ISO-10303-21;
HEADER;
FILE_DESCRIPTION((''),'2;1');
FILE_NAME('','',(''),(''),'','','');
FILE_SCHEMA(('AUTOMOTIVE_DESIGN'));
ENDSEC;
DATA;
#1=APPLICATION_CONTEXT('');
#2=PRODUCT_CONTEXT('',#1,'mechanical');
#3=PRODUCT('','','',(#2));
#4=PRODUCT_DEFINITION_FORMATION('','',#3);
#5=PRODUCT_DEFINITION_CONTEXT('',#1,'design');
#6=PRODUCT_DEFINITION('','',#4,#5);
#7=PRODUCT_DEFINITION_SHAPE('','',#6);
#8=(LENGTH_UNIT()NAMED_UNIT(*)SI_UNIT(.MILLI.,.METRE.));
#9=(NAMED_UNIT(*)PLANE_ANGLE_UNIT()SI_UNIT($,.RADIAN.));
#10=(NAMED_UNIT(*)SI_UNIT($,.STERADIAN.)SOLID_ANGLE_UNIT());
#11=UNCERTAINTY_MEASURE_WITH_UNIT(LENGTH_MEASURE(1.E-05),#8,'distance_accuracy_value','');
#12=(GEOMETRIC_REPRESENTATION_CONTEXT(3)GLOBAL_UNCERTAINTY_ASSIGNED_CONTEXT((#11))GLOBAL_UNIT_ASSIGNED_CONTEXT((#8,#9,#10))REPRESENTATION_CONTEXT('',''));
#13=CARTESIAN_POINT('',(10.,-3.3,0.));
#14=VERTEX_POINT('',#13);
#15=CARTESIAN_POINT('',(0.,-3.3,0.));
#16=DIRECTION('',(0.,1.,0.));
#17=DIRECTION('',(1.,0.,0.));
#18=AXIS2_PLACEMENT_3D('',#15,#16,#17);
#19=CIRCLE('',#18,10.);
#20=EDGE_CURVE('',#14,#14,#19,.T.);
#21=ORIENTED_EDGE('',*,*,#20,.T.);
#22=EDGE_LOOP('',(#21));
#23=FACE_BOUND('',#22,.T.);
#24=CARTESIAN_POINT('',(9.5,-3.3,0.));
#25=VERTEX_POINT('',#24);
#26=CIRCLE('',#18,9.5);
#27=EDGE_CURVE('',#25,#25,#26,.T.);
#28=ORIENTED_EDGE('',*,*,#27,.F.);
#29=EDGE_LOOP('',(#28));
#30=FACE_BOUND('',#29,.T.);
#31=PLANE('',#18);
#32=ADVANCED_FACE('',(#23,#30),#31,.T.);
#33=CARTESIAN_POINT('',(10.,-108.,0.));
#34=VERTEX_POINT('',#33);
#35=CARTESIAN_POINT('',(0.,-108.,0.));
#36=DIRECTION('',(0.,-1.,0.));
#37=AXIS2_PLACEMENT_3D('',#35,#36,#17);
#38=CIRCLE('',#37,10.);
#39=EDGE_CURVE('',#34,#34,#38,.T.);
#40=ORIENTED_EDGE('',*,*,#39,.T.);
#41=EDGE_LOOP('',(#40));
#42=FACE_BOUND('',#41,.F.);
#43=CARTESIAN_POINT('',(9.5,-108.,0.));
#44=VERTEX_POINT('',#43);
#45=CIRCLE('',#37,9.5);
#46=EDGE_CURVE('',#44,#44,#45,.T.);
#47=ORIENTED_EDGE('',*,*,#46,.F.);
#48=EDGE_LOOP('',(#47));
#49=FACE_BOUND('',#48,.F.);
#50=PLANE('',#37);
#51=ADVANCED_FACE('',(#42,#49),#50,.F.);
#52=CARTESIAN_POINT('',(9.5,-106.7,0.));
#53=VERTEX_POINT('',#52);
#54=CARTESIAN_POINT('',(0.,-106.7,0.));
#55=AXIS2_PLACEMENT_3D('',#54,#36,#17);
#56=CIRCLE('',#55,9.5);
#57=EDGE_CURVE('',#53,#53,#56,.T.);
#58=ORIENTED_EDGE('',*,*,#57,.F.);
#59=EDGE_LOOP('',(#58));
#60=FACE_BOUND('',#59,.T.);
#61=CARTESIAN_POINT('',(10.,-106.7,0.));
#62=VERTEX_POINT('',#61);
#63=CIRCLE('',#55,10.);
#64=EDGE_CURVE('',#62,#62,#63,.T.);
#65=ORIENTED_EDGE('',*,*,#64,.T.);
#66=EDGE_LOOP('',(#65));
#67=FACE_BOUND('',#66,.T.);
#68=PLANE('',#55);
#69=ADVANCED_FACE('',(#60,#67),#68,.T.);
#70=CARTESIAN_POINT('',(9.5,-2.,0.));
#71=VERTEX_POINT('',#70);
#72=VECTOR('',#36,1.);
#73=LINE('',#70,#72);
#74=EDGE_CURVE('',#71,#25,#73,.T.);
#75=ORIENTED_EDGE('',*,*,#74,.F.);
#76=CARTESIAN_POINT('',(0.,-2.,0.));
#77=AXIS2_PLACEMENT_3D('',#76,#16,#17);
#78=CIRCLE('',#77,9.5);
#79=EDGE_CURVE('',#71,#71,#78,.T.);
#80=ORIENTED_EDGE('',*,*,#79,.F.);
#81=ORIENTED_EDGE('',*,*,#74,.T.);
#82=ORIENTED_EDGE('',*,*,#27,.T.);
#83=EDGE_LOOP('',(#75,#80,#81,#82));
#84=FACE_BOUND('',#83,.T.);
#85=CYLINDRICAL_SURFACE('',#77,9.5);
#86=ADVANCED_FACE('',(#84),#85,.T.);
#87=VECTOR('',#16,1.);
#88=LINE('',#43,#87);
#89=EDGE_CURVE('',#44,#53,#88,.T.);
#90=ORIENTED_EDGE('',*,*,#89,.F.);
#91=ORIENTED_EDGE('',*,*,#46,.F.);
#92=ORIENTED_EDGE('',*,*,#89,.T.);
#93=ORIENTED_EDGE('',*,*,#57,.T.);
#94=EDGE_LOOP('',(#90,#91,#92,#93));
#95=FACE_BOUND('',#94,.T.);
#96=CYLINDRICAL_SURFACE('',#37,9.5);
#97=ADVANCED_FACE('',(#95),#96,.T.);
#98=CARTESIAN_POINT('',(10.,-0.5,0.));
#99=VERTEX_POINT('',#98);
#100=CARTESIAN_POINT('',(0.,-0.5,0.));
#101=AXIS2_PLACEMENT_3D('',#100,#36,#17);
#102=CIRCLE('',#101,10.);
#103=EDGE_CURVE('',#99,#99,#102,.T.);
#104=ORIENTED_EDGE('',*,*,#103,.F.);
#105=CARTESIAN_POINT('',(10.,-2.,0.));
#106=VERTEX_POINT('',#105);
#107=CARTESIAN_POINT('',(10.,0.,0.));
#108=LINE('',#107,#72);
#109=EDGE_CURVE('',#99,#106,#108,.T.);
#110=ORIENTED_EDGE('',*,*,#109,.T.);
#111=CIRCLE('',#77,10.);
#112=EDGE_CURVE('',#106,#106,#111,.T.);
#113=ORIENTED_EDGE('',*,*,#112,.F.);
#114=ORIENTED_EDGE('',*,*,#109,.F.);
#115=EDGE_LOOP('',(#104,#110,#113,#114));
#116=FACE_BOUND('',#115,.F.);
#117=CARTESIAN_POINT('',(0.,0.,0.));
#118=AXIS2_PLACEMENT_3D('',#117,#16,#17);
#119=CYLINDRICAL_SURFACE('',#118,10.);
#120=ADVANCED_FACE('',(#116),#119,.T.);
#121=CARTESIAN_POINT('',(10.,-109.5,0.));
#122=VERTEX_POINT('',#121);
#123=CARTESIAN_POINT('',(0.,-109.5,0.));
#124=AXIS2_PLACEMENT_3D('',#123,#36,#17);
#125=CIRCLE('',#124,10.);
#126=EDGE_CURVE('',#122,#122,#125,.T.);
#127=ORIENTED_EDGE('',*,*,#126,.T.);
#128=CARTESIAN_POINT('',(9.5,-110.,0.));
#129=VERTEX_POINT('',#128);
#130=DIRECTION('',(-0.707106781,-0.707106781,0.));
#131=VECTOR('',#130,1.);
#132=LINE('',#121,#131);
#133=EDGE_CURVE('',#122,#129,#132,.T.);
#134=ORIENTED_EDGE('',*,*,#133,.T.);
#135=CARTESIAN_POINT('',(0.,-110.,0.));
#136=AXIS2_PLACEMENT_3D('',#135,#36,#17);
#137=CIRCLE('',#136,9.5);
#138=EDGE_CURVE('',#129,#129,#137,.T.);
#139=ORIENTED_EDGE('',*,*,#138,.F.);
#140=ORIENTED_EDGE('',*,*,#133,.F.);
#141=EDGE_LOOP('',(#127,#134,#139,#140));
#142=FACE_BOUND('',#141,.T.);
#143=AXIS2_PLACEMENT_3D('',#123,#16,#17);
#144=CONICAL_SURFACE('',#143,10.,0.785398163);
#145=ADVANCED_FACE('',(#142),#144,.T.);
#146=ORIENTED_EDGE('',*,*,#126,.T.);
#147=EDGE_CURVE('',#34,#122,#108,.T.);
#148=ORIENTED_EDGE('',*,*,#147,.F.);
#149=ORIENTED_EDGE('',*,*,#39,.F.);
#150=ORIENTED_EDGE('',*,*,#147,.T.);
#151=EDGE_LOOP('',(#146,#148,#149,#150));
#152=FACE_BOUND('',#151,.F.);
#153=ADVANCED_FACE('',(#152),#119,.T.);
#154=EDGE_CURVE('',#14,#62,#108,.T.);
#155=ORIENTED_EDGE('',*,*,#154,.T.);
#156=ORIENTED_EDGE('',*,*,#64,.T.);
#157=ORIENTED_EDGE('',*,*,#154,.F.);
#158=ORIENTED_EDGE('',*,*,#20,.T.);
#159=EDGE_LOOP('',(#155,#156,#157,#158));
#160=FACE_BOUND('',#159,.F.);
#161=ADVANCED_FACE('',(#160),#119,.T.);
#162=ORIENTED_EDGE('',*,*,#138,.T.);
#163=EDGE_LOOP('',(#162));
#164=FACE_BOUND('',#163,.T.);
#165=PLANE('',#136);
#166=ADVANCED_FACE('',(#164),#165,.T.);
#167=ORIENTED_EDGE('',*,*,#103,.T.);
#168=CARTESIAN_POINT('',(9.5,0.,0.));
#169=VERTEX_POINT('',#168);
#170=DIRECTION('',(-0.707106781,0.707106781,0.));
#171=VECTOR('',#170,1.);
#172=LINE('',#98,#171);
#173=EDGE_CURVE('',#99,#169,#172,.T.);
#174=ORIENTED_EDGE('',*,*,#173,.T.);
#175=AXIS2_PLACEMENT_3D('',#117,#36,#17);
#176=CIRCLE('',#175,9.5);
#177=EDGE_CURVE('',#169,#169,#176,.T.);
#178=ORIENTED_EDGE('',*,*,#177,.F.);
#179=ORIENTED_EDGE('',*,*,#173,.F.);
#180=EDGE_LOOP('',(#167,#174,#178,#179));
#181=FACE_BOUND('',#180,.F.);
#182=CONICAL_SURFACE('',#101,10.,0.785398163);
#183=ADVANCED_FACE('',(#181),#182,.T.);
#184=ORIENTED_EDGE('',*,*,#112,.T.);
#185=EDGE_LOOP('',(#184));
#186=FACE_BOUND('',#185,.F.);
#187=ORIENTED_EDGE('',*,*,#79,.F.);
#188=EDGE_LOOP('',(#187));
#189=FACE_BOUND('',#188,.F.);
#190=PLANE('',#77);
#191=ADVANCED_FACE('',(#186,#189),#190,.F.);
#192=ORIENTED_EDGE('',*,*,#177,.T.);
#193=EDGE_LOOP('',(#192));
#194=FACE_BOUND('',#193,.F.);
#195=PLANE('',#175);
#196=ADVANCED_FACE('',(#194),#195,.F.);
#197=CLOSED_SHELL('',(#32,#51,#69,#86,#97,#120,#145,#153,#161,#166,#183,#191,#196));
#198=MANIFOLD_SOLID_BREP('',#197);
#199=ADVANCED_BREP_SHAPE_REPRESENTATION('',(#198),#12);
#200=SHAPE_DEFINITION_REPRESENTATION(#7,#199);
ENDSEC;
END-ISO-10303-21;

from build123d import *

# Parameters (mm, degrees)
F0_R     = 10
F1_DEPTH = 110
F3_R     = 10
F3_R_2   = 9.5
F4_DEPTH = 1.3
F6_R     = 10
F6_R_2   = 9.5
F7_DEPTH = 1.3
F8_SIZE  = 0.5


with BuildPart() as f1:
    # F0 (on Front) → F1 (new body)
    with BuildSketch(Plane.XZ):
        Circle(F0_R)
    extrude(amount=F1_DEPTH)

    # F3 (on offset) → F4 (cut)
    with BuildSketch(Plane.XZ.offset(108)):
        Circle(F3_R)
        Circle(F3_R_2, mode=Mode.SUBTRACT)
    extrude(amount=-F4_DEPTH, mode=Mode.SUBTRACT)

    # F6 (on offset) → F7 (cut)
    with BuildSketch(Plane(origin=(0, -2, 0), x_dir=(1, 0, 0), z_dir=(0, 1, 0))):
        Circle(F6_R)
        Circle(F6_R_2, mode=Mode.SUBTRACT)
    extrude(amount=-F7_DEPTH, mode=Mode.SUBTRACT)

    # F8
    f8_edges = [f1.edges().sort_by_distance(p)[0] for p in [
        (-10, -110, 0),
        (-10, 0, 0),
    ]]
    chamfer(f8_edges, length=F8_SIZE)


solid = f1.part
